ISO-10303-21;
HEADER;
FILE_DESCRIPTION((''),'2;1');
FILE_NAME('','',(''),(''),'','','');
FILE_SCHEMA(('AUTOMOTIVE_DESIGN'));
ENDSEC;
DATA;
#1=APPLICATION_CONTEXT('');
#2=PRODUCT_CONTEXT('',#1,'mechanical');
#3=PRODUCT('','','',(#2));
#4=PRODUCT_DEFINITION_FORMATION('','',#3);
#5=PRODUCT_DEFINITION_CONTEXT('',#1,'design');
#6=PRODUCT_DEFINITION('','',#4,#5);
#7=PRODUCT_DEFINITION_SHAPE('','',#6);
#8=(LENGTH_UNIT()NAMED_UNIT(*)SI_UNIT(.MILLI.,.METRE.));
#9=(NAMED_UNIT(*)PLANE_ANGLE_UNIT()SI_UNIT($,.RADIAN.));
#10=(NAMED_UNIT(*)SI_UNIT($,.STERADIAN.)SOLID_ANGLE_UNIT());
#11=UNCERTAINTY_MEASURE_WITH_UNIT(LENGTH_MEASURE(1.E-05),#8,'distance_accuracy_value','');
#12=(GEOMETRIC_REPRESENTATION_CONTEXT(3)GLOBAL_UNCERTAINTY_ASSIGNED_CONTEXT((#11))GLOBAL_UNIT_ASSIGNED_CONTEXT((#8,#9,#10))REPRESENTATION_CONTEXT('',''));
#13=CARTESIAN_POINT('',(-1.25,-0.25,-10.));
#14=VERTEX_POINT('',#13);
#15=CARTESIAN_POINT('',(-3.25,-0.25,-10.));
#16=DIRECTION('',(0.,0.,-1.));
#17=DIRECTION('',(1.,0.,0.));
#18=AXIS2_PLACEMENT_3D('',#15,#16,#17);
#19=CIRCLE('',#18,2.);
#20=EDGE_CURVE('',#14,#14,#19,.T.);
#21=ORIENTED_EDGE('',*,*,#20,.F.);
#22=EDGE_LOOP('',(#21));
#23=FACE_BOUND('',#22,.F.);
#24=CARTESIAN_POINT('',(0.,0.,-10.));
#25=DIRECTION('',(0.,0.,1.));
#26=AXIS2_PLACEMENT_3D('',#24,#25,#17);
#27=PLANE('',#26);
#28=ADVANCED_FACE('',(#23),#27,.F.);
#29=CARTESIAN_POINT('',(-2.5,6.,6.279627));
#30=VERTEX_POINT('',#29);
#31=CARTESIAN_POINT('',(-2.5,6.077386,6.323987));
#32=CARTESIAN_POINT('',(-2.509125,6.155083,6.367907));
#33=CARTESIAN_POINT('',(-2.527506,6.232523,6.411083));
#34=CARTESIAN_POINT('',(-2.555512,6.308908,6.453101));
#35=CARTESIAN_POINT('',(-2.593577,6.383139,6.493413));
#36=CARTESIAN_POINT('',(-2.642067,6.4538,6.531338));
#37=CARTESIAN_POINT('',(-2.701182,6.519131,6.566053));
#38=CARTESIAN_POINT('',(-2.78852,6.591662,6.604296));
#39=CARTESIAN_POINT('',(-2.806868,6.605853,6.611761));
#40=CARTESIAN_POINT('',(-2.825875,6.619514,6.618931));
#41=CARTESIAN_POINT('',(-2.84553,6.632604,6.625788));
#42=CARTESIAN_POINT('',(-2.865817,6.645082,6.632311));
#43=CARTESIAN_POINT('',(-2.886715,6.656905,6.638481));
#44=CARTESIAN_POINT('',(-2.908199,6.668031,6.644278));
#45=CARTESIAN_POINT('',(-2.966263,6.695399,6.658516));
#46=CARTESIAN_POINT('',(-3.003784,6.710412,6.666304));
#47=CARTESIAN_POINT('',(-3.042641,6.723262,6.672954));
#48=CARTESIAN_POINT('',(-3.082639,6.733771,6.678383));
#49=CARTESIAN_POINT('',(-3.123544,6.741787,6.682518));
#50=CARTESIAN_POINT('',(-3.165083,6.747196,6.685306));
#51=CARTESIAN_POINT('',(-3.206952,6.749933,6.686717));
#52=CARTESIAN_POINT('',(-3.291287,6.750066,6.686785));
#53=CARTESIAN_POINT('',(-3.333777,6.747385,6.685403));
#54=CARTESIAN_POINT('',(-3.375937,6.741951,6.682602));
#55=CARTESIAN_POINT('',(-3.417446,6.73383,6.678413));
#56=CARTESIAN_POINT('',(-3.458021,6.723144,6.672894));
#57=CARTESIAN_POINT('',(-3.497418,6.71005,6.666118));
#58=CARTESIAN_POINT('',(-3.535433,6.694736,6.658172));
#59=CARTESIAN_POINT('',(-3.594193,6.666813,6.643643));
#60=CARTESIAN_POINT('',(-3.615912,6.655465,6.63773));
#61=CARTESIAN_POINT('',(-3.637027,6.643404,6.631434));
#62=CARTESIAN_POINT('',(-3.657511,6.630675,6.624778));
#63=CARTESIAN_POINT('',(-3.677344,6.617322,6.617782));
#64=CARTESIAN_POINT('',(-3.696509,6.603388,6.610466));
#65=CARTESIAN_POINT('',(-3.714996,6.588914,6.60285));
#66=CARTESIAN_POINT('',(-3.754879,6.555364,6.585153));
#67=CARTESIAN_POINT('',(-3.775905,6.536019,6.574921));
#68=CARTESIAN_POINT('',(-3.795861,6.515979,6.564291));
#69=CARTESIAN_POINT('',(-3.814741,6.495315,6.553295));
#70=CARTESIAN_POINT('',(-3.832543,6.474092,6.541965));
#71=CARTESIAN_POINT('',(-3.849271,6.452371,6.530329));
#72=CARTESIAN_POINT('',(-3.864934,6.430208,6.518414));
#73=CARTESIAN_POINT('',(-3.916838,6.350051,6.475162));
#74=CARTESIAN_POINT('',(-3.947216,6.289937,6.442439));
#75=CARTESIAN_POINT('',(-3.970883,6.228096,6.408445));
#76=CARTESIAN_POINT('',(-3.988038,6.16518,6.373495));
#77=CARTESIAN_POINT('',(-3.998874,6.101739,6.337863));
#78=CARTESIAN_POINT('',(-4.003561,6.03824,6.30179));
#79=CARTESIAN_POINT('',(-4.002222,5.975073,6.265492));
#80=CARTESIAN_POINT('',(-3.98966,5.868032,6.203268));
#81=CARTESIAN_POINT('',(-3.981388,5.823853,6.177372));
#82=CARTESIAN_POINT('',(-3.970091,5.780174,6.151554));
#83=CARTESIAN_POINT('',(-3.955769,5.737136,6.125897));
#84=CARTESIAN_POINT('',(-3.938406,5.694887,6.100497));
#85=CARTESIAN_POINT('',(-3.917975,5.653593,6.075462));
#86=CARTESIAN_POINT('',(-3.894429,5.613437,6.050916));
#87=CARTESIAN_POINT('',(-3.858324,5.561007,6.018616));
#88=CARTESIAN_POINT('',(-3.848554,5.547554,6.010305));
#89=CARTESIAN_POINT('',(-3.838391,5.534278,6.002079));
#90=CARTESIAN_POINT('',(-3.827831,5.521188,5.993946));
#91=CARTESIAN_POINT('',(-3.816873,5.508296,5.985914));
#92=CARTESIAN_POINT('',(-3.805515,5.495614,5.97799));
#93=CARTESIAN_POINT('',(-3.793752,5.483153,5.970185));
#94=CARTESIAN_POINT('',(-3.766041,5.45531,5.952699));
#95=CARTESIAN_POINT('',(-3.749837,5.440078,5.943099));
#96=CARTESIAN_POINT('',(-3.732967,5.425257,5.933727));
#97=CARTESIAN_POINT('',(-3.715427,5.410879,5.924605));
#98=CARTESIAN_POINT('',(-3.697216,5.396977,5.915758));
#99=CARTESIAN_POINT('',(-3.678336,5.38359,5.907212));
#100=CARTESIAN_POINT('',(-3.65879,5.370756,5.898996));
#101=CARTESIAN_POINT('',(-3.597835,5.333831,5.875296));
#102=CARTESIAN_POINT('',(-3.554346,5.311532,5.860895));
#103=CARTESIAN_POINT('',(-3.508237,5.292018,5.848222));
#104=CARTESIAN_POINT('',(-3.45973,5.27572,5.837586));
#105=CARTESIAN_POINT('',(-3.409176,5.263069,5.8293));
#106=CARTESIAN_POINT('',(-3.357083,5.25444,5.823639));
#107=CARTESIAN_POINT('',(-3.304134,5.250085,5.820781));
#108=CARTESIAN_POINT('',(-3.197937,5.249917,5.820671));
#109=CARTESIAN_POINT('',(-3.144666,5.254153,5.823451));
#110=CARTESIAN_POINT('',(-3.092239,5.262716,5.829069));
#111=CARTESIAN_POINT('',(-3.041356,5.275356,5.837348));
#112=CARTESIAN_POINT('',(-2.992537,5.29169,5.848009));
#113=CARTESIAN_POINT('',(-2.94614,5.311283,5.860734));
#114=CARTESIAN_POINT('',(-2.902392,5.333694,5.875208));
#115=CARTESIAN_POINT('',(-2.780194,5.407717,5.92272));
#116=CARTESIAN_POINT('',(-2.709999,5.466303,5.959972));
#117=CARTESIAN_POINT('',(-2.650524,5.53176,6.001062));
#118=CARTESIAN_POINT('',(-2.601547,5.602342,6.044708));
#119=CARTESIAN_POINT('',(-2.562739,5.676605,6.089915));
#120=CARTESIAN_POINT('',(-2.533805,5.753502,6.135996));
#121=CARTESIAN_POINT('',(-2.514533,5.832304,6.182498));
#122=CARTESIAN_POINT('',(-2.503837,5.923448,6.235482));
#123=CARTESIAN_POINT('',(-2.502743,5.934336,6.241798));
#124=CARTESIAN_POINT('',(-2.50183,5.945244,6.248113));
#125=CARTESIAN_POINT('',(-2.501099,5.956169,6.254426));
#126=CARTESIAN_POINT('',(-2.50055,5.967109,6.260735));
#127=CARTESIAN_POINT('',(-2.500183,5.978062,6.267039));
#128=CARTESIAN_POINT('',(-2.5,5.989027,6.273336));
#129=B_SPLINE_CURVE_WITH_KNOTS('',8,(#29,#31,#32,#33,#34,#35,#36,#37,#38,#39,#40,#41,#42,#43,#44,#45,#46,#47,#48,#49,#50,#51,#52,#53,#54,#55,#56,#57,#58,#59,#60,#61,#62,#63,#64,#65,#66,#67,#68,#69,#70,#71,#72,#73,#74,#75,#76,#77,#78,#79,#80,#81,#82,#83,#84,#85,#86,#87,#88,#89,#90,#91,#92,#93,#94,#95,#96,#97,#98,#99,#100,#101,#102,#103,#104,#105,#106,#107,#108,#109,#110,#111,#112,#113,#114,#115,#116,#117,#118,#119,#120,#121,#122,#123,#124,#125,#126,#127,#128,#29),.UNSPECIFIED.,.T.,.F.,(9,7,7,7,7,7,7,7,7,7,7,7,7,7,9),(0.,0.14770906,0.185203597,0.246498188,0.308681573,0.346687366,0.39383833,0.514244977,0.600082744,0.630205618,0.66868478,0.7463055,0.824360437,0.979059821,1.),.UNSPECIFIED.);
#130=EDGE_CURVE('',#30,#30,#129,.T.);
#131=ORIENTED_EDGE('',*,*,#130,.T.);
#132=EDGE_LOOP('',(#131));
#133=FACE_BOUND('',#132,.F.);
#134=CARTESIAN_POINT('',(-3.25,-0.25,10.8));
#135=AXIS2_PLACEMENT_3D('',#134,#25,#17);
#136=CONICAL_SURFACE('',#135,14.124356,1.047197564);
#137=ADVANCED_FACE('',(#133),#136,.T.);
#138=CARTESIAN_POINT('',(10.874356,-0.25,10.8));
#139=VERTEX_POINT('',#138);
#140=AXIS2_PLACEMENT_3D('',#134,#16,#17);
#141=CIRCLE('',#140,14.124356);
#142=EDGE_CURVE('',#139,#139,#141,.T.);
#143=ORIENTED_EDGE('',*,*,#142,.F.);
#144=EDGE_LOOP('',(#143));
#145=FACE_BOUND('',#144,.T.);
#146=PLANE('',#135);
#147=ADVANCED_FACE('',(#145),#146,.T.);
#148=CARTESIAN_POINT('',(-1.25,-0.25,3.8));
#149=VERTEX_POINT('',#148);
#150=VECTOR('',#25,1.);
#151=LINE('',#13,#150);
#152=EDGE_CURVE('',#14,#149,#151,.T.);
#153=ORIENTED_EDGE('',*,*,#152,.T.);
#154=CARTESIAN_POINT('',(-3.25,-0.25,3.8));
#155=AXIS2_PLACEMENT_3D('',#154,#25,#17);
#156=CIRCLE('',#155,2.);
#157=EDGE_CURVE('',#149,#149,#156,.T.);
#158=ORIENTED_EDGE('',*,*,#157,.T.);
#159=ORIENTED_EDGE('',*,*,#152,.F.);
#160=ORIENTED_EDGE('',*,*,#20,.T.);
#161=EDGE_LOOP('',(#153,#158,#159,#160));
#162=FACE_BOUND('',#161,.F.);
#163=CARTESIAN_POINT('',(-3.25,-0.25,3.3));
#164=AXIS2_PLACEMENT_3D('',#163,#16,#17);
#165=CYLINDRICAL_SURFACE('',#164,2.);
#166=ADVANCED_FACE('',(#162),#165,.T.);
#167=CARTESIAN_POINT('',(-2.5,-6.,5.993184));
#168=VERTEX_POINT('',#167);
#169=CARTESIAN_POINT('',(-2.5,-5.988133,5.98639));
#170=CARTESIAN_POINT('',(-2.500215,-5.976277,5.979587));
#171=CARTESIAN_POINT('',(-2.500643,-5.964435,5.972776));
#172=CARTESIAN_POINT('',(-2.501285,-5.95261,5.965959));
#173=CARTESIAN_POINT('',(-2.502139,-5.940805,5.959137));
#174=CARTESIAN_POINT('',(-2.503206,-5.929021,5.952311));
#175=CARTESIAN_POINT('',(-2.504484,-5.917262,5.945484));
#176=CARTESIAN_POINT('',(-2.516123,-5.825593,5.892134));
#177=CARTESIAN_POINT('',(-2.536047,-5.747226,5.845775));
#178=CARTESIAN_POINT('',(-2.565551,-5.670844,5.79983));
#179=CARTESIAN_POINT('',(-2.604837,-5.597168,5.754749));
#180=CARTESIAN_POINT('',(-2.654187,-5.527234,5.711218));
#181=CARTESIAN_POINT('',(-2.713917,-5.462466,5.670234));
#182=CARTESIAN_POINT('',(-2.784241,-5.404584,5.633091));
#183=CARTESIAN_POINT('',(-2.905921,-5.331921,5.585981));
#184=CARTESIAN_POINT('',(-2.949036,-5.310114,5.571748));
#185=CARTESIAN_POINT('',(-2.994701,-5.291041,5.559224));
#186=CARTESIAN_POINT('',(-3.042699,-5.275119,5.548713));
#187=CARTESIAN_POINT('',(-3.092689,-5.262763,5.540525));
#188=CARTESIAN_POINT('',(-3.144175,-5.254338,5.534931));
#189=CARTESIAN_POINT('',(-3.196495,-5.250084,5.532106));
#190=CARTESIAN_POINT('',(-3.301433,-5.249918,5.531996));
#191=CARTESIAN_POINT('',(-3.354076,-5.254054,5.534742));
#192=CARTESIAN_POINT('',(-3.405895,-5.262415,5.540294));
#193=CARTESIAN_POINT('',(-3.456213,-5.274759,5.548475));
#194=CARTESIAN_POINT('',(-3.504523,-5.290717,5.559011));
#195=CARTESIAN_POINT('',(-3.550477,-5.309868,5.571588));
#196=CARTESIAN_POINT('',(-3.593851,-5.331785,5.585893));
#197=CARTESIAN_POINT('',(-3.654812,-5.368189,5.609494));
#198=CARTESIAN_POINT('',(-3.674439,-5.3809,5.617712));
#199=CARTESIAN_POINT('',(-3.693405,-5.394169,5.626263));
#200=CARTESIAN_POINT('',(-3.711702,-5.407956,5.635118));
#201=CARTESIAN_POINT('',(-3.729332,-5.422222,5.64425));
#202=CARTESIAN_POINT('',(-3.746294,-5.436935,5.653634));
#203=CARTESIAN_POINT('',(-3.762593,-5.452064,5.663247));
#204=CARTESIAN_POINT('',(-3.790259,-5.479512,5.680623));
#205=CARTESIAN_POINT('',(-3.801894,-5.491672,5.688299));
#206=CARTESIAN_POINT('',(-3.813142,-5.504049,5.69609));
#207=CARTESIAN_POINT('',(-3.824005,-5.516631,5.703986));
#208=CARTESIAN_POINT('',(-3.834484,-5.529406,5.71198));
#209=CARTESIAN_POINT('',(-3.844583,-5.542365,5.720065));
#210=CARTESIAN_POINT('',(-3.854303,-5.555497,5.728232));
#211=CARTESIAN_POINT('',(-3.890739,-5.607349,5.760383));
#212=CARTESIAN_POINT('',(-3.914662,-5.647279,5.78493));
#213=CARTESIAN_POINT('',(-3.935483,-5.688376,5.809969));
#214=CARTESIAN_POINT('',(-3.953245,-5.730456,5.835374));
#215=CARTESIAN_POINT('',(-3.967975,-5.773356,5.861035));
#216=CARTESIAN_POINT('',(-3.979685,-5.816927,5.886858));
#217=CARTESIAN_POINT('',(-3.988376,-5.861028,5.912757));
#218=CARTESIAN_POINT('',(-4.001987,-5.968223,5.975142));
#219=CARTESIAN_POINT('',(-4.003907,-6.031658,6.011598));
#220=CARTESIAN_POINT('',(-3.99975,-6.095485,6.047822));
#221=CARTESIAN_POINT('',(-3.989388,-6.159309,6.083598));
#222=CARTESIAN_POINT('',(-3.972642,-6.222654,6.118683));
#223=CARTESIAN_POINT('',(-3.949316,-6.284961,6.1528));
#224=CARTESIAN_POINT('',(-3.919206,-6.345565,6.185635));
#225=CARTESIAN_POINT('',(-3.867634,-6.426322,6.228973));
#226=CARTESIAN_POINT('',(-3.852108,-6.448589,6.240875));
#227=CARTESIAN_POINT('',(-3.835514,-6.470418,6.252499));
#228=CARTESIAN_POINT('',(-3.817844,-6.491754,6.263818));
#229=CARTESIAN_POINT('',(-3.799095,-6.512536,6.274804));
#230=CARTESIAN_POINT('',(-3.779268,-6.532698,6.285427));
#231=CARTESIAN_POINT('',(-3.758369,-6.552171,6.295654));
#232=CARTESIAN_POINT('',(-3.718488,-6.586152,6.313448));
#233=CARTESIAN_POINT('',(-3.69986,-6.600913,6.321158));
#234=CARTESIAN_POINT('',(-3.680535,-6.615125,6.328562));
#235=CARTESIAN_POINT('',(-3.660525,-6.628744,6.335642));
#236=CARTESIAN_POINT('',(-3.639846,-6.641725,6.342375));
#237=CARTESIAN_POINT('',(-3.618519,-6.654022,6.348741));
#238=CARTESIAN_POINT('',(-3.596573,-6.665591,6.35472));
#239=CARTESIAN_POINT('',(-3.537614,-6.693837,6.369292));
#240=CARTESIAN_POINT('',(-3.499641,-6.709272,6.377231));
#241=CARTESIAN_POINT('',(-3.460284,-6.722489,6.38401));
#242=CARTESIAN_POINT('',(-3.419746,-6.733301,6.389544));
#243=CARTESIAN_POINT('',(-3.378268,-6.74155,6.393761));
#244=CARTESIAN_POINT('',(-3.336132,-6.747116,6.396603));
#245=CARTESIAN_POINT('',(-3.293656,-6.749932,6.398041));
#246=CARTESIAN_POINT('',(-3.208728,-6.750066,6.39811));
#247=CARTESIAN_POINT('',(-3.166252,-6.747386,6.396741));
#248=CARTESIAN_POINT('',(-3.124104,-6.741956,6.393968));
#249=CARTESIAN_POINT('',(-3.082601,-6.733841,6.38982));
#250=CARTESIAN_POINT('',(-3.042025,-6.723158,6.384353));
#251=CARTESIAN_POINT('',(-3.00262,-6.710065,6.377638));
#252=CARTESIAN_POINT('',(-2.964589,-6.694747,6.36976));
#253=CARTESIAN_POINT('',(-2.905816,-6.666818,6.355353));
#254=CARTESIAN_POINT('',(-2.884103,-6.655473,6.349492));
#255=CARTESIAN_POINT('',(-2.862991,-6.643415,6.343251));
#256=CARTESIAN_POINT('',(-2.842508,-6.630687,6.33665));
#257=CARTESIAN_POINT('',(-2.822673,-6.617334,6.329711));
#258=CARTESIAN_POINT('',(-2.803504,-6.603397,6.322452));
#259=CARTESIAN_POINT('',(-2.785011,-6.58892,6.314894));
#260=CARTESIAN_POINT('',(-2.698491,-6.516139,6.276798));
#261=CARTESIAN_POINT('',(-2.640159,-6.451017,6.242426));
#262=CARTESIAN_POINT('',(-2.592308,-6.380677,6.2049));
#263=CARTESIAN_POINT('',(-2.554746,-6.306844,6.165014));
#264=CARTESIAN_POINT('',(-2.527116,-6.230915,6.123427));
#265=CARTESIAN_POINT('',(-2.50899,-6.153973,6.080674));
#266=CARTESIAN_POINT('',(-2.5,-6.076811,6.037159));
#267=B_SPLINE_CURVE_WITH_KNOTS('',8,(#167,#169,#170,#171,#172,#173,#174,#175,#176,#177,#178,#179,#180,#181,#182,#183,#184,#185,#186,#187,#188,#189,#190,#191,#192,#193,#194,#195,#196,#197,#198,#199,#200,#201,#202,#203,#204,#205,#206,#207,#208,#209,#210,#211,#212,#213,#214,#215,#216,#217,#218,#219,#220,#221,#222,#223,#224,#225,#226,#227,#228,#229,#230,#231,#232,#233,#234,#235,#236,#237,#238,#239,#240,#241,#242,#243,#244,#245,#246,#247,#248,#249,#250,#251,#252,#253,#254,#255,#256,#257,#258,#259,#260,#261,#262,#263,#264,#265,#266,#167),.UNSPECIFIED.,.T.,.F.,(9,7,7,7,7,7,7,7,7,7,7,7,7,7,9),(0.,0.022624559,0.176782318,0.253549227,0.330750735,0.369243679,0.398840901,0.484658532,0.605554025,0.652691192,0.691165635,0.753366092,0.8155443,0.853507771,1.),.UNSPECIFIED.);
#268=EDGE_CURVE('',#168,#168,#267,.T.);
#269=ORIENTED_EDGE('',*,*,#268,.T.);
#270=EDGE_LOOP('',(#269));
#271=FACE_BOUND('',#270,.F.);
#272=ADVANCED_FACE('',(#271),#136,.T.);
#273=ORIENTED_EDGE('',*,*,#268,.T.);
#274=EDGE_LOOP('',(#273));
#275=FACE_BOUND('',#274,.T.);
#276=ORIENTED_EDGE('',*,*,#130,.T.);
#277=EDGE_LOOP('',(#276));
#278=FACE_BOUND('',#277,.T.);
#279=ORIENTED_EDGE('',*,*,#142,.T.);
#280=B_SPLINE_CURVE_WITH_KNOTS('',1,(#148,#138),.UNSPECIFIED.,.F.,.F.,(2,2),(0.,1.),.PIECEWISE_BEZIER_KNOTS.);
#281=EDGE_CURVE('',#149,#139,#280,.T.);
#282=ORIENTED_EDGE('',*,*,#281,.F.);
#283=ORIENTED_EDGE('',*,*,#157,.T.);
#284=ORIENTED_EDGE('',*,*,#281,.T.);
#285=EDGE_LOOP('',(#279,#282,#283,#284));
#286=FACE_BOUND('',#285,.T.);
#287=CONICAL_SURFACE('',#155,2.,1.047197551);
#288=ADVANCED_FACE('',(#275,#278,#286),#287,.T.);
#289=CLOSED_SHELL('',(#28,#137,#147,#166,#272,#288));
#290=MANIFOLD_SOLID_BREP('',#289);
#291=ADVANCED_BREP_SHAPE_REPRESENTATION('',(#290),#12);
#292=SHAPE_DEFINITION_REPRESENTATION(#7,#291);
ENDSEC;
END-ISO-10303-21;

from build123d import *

# Parameters (mm, degrees)
SKETCH_W       = 12
SKETCH_H       = 17.5
PAD_DEPTH      = 1.5
PAD_DEPTH_BACK = 10
SKETCH001_R    = 0.75
PAD001_DEPTH   = 10
PAD002_DEPTH   = 5
FILLET_R       = 1
FILLET001_R    = 1
FILLET002_R    = 1
SKETCH003_W    = 5.5
SKETCH003_H    = 7
PAD003_DEPTH   = 1.8
SKETCH004_R    = 2
PAD004_DEPTH   = 0.5
SKETCH005_R    = 2
PAD005_DEPTH   = 7
PAD005_TAPER   = -60


with BuildPart() as part:
    # Sketch → Pad (new body, two sides)
    with BuildSketch(Plane.XY) as pad_sk:
        Rectangle(SKETCH_W, SKETCH_H)
    extrude(amount=PAD_DEPTH)
    extrude(pad_sk.sketch, amount=-PAD_DEPTH_BACK)

    # Sketch001 → Pad001 (join)
    with BuildSketch(Plane.XY):
        with Locations((-3.25, 6)):
            Circle(SKETCH001_R)
        with Locations((-3.25, -6)):
            Circle(SKETCH001_R)
    extrude(amount=PAD001_DEPTH)

    # Sketch002 → Pad002 (join, symmetric)
    with BuildSketch(Plane.XZ):
        with BuildLine():
            ThreePointArc((16, -10), (13.071068, -2.928932), (6, 0))
            Line((6, -10), (6, 0))
            Line((16, -10), (6, -10))
        make_face()
    extrude(amount=PAD002_DEPTH, both=True)

    # Fillet
    fillet_edges = [part.edges().sort_by_distance(p)[0] for p in [
        (6, -8.75, -4.25),
        (-6, -8.75, -4.25),
        (6, 8.75, -4.25),
        (-6, 8.75, -4.25),
    ]]
    fillet(fillet_edges, radius=FILLET_R)

    # Fillet001
    fillet001_edges = [part.edges().sort_by_distance(p)[0] for p in [
        (13.071068, -5, -2.928932),
        (13.071068, 5, -2.928932),
    ]]
    fillet(fillet001_edges, radius=FILLET001_R)

    # Fillet002
    fillet002_edges = [part.edges().sort_by_distance(p)[0] for p in [
        (6, -5, -5.5),
    ]]
    fillet(fillet002_edges, radius=FILLET002_R)

    # Sketch003 (on Face6 of Fillet002) → Pad003 (join)
    with BuildSketch(Plane.XY.offset(1.5)):
        with Locations((-3.25, 0)):
            Rectangle(SKETCH003_W, SKETCH003_H)
    extrude(amount=PAD003_DEPTH)

    # Sketch004 (on Face28 of Pad003) → Pad004 (join)
    with BuildSketch(Plane.XY.offset(3.3)):
        with Locations((-3.25, -0.25)):
            Circle(SKETCH004_R)
    extrude(amount=PAD004_DEPTH)

    # Sketch005 (on Face32 of Pad004) → Pad005 (join)
    with BuildSketch(Plane.XY.offset(3.8)):
        with Locations((-3.25, -0.25)):
            Circle(SKETCH005_R)
    extrude(amount=PAD005_DEPTH, taper=PAD005_TAPER)

    # Sketch006 (on DatumPlane) → Groove (revolve, cut)
    with BuildSketch(Plane(origin=(-3.25, -0.25, 3.8), x_dir=(1, 0, 0), z_dir=(0, -1, 0))):
        Polygon((2, 0), (2, -18), (30, -18), (30, 7), (14.124356, 7), align=None)
    revolve(axis=Axis((-3.25, -0.25, 3.8), (0, 0, 1)), mode=Mode.SUBTRACT)


solid = part.part
